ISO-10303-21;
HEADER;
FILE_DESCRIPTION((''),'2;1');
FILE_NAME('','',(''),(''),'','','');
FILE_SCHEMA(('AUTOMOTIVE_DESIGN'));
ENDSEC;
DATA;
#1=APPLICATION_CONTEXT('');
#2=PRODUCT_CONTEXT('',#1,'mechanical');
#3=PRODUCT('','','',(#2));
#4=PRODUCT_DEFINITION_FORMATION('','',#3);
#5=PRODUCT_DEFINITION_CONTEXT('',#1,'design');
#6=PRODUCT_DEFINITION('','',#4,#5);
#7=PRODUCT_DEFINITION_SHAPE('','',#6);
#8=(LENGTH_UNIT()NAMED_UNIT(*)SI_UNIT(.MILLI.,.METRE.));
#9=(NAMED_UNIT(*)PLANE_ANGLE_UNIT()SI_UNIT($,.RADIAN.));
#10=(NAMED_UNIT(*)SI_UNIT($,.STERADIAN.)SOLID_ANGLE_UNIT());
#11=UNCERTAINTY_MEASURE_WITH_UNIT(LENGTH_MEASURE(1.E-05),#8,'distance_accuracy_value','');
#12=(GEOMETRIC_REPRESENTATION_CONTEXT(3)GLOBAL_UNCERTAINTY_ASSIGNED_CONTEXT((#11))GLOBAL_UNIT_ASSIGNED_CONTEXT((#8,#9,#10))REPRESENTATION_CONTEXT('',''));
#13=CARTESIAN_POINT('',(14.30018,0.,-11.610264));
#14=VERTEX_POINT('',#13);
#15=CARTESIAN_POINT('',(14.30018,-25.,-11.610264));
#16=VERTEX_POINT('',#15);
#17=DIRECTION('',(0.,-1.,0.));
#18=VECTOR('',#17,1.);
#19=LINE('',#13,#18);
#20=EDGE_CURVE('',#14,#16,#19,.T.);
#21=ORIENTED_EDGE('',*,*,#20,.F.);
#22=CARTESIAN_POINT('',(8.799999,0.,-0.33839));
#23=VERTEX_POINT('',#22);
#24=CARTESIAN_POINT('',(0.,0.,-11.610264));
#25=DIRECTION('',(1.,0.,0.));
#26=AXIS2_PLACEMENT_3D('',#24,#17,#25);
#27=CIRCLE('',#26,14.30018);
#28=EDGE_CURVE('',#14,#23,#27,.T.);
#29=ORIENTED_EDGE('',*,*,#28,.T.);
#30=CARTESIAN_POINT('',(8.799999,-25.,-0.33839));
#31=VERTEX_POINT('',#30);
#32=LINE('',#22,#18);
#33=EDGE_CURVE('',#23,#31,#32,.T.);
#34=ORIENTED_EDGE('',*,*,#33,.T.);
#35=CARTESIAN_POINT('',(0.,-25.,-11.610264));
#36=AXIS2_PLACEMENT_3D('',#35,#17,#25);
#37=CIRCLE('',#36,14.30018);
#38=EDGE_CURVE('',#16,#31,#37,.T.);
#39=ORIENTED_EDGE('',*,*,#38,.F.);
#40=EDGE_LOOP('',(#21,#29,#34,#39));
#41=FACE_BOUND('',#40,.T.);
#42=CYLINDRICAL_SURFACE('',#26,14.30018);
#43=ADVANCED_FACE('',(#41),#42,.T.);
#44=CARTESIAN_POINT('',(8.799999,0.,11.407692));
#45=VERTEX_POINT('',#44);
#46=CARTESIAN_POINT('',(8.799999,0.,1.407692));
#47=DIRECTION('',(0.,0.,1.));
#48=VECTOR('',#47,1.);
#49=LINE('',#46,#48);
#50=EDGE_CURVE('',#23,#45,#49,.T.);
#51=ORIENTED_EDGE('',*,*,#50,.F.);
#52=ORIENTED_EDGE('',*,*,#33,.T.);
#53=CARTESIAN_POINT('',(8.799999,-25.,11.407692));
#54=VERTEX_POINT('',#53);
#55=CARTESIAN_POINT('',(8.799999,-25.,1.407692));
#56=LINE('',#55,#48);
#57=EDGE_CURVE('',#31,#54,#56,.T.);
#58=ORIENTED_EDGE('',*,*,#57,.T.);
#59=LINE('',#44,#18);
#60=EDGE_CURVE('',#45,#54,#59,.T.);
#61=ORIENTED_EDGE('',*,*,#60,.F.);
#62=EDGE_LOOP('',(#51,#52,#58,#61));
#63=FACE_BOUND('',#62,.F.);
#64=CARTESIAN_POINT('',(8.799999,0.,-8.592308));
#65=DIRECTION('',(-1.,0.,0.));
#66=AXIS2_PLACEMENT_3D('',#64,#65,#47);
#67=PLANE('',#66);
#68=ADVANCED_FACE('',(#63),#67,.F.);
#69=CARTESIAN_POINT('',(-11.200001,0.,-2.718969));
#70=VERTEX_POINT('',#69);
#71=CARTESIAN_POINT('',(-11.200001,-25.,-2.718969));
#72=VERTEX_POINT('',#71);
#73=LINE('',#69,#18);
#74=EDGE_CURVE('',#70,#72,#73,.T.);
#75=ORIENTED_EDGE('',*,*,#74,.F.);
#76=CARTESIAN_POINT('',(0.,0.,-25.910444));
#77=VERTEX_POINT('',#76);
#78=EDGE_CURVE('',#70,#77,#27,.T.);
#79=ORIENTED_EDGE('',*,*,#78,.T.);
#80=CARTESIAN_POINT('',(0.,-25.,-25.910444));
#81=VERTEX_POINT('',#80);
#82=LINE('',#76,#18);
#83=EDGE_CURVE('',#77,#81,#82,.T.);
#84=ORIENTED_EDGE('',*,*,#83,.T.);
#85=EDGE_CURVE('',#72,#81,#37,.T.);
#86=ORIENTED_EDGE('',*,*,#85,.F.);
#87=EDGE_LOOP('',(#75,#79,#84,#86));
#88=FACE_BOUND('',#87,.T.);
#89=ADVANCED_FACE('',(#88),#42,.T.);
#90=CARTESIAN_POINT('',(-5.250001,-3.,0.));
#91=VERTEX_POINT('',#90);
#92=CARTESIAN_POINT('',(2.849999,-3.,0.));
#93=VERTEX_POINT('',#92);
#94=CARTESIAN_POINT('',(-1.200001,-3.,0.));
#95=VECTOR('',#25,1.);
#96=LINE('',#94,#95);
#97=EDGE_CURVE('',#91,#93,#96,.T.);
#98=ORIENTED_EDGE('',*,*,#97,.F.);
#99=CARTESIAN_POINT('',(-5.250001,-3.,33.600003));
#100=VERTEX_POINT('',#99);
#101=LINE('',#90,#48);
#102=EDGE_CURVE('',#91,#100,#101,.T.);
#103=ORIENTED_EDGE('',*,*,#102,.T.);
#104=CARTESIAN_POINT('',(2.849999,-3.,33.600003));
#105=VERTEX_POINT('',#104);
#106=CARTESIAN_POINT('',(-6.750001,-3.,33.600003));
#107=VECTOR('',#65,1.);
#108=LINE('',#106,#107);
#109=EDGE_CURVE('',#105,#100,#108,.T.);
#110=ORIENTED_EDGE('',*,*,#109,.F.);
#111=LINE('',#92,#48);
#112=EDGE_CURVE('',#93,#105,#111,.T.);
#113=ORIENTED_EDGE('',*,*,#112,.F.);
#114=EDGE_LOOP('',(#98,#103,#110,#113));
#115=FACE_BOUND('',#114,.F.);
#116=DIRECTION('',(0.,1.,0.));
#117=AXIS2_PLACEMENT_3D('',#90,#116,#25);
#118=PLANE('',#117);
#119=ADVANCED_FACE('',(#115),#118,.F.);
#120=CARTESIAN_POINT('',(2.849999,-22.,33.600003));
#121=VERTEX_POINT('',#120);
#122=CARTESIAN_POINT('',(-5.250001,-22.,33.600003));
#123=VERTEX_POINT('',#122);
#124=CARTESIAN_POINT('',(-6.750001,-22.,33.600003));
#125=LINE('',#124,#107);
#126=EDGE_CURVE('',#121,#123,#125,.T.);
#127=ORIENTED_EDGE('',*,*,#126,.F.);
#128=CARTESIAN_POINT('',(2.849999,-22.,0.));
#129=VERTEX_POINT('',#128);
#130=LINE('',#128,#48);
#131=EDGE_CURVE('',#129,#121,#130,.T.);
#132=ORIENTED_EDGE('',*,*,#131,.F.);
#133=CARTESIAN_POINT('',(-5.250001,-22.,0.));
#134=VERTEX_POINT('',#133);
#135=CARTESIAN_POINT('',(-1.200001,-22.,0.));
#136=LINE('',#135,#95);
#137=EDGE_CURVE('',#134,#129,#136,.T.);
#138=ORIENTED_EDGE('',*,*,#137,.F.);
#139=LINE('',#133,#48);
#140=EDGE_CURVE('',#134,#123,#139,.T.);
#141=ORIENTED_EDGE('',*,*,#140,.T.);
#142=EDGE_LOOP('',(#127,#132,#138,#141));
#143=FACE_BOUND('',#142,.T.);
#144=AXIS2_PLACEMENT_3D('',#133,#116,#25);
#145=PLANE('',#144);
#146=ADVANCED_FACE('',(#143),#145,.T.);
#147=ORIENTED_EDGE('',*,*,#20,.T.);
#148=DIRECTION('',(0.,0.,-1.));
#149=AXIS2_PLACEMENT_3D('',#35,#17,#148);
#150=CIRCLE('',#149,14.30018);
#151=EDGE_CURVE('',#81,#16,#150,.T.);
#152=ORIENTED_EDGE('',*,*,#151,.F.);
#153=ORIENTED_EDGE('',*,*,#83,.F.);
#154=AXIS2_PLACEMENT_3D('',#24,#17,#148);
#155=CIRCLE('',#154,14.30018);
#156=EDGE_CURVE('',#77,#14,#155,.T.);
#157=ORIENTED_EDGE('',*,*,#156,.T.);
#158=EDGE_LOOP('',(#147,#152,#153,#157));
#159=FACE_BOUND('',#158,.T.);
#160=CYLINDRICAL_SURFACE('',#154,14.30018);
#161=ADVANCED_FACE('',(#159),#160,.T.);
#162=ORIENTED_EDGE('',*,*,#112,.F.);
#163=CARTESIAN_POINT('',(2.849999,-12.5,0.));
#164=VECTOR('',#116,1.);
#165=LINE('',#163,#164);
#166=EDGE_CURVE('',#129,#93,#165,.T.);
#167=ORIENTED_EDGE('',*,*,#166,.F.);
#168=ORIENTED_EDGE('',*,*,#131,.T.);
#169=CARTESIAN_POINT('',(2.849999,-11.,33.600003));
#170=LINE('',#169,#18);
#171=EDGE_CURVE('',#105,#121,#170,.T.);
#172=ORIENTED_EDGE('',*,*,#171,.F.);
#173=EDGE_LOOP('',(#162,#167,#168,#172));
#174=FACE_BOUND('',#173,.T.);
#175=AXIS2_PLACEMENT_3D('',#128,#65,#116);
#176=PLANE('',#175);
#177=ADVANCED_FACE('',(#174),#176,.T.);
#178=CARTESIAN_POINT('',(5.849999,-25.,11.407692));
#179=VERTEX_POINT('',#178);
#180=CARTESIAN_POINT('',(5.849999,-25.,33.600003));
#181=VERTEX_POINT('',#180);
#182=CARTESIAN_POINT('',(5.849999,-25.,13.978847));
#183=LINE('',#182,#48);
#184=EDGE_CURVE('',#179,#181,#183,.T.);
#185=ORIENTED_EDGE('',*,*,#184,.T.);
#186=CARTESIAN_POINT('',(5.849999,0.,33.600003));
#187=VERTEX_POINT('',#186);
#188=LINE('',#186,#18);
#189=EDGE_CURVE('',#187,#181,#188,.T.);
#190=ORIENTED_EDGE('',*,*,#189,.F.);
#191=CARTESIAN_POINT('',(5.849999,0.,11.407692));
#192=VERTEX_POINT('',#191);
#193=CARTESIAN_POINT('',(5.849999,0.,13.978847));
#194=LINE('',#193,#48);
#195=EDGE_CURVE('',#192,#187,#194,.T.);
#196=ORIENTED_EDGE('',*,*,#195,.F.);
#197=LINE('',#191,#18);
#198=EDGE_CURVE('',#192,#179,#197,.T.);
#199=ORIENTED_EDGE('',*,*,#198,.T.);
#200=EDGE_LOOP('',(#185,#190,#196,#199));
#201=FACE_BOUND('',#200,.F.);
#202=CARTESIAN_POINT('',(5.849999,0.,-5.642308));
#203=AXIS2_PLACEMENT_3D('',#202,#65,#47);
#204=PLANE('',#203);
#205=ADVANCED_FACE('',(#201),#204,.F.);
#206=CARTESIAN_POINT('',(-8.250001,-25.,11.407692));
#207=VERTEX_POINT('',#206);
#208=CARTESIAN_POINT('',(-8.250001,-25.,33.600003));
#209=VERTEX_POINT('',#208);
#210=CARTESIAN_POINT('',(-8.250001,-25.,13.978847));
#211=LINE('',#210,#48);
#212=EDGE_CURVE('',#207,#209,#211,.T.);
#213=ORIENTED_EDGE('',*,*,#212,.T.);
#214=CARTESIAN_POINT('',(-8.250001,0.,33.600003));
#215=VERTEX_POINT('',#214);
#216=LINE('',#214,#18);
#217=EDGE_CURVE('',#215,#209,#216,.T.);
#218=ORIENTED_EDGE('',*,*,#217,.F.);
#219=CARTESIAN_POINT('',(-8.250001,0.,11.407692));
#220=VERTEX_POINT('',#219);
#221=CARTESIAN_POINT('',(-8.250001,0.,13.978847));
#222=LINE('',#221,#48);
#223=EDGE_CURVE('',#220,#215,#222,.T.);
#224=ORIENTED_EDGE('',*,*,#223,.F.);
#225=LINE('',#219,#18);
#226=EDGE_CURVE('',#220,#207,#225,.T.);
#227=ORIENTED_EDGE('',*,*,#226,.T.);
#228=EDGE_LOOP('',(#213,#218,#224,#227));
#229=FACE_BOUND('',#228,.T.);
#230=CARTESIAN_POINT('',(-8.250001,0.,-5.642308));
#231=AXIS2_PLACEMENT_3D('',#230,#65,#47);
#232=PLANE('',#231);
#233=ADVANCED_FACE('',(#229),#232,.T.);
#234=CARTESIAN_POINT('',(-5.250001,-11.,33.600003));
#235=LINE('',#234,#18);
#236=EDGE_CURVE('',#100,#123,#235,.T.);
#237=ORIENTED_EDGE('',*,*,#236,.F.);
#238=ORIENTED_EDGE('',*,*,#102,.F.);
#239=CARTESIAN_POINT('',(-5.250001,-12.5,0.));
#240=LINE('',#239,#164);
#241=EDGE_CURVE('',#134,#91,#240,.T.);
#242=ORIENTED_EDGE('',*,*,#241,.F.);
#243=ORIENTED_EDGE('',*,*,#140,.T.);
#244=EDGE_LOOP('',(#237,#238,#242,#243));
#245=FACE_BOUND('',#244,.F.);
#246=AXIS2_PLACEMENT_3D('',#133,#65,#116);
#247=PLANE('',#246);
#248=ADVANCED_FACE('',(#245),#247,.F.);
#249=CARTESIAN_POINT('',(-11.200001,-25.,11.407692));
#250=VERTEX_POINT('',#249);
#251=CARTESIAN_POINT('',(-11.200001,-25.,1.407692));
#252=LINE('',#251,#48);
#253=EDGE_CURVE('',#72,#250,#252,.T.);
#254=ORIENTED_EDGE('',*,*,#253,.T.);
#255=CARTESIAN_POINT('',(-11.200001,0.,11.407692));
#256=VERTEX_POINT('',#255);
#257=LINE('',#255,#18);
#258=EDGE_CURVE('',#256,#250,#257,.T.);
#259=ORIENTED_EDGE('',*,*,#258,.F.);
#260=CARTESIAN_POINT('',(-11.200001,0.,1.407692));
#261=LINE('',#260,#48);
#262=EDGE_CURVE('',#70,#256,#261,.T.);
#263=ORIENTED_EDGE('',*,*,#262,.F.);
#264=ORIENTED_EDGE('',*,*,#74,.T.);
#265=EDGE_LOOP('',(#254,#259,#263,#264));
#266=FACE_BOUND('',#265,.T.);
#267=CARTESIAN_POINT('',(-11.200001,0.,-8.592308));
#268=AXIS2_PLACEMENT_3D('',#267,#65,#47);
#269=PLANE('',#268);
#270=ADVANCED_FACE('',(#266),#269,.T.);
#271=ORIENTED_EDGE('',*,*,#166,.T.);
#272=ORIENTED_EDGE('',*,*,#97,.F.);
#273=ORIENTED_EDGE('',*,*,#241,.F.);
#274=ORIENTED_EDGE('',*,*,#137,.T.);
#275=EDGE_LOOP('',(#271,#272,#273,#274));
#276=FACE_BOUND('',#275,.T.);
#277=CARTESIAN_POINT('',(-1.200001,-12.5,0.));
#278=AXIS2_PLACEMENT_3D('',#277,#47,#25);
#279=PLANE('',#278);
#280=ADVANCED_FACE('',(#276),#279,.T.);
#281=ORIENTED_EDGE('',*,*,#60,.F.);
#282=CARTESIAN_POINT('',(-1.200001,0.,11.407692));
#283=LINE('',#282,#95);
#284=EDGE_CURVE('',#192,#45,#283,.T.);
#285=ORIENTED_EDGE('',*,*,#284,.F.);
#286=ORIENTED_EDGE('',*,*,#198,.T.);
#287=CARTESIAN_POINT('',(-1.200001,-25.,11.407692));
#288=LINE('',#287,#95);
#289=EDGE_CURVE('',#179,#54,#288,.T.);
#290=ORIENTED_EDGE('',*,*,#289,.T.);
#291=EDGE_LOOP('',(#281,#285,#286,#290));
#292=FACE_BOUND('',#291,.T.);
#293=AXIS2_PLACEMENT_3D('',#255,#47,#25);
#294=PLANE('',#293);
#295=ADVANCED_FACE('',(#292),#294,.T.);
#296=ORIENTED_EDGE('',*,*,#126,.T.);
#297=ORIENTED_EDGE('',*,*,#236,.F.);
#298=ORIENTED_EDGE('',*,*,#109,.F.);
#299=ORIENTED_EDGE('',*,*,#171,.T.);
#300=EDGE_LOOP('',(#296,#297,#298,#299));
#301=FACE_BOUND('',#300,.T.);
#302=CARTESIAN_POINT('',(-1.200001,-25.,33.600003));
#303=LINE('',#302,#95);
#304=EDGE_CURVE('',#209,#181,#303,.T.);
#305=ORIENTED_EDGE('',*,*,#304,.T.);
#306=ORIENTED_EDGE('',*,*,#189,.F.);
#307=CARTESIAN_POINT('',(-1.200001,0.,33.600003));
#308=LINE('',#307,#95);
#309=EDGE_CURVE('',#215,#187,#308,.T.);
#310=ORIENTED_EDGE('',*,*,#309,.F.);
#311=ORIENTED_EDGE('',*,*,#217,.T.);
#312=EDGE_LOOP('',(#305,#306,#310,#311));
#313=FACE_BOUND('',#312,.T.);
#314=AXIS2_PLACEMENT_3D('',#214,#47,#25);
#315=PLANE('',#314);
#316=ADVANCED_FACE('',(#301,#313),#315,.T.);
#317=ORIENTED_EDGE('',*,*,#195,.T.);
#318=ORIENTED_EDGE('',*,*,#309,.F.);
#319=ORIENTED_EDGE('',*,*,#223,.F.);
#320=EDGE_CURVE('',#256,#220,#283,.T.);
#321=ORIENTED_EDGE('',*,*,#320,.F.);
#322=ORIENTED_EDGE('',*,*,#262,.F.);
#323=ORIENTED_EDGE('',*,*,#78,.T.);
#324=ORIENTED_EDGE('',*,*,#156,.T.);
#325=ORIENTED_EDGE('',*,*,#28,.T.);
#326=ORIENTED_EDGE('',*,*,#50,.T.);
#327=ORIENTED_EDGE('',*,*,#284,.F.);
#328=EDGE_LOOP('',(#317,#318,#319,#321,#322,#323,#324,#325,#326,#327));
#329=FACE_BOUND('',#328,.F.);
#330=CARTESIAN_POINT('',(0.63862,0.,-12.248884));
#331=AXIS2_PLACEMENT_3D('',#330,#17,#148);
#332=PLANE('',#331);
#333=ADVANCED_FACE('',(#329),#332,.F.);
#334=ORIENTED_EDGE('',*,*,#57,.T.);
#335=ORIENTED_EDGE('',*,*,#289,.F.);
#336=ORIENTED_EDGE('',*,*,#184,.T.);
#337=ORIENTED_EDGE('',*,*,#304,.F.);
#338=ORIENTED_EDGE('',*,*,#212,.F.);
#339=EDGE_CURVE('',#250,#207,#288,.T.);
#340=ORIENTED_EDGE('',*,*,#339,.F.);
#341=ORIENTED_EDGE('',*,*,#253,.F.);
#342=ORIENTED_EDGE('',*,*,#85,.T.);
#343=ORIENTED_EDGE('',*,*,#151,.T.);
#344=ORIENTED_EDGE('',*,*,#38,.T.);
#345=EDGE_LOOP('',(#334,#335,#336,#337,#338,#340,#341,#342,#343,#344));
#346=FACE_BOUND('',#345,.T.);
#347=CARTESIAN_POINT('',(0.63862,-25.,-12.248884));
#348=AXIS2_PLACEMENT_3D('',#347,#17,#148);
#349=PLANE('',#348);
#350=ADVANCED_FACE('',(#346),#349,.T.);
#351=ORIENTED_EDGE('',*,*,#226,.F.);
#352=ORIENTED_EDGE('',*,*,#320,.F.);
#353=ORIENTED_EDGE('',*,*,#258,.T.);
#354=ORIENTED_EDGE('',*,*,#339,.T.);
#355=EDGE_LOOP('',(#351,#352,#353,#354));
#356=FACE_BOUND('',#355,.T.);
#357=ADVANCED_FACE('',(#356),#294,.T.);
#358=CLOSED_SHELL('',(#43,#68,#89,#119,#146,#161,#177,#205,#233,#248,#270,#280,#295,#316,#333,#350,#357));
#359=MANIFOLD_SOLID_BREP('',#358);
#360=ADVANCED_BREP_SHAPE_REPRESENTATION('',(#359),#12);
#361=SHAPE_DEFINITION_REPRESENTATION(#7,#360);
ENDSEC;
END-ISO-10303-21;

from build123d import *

# Parameters (mm, degrees)
F0_W     = 20
F0_H     = 20
F2_DEPTH = 25
F1_W     = 14.1000001311
F1_H     = 39.2423100663
F3_DEPTH = 25
F6_W     = 8.1000001311
F6_H     = 19
F7_DEPTH = 33.6010025272


with BuildPart() as f2:
    # F0 (on Front) → F2 (new body)
    with BuildSketch(Plane.XZ):
        with Locations((-1.2000007555, 1.4076924609)):
            Rectangle(F0_W, F0_H)
    extrude(amount=F2_DEPTH)

    # F1 (on Front) → F3 (join)
    with BuildSketch(Plane.XZ):
        with Locations((-1.2000008211, 13.9788474941)):
            Rectangle(F1_W, F1_H)
    extrude(amount=F3_DEPTH)

    # F5: sweep along a path in F5_path
    with BuildLine(Plane(origin=(-11.2000007555, 0, 11.4076924609), x_dir=(0, 1, 0), z_dir=(0, 0, 1))) as f5_path:
        Line((0, 0), (-25, 0))
    # F4 (on Front) → F5 (sweep)
    with BuildSketch(Plane.XZ):
        with BuildLine():
            ThreePointArc((0, -25.9104435142), (10.111753936, -21.7220178946), (14.3001795556, -11.6102639586))
            ThreePointArc((14.3001795556, -11.6102639586), (-10.111753936, -1.4985100226), (0, -25.9104435142))
        make_face()
    sweep(path=f5_path.line)

    # F6 (on Top) → F7 (cut, through all)
    with BuildSketch(Plane.XY):
        with Locations((-1.2000008211, -12.5)):
            Rectangle(F6_W, F6_H)
    extrude(amount=F7_DEPTH, mode=Mode.SUBTRACT)


solid = f2.part
